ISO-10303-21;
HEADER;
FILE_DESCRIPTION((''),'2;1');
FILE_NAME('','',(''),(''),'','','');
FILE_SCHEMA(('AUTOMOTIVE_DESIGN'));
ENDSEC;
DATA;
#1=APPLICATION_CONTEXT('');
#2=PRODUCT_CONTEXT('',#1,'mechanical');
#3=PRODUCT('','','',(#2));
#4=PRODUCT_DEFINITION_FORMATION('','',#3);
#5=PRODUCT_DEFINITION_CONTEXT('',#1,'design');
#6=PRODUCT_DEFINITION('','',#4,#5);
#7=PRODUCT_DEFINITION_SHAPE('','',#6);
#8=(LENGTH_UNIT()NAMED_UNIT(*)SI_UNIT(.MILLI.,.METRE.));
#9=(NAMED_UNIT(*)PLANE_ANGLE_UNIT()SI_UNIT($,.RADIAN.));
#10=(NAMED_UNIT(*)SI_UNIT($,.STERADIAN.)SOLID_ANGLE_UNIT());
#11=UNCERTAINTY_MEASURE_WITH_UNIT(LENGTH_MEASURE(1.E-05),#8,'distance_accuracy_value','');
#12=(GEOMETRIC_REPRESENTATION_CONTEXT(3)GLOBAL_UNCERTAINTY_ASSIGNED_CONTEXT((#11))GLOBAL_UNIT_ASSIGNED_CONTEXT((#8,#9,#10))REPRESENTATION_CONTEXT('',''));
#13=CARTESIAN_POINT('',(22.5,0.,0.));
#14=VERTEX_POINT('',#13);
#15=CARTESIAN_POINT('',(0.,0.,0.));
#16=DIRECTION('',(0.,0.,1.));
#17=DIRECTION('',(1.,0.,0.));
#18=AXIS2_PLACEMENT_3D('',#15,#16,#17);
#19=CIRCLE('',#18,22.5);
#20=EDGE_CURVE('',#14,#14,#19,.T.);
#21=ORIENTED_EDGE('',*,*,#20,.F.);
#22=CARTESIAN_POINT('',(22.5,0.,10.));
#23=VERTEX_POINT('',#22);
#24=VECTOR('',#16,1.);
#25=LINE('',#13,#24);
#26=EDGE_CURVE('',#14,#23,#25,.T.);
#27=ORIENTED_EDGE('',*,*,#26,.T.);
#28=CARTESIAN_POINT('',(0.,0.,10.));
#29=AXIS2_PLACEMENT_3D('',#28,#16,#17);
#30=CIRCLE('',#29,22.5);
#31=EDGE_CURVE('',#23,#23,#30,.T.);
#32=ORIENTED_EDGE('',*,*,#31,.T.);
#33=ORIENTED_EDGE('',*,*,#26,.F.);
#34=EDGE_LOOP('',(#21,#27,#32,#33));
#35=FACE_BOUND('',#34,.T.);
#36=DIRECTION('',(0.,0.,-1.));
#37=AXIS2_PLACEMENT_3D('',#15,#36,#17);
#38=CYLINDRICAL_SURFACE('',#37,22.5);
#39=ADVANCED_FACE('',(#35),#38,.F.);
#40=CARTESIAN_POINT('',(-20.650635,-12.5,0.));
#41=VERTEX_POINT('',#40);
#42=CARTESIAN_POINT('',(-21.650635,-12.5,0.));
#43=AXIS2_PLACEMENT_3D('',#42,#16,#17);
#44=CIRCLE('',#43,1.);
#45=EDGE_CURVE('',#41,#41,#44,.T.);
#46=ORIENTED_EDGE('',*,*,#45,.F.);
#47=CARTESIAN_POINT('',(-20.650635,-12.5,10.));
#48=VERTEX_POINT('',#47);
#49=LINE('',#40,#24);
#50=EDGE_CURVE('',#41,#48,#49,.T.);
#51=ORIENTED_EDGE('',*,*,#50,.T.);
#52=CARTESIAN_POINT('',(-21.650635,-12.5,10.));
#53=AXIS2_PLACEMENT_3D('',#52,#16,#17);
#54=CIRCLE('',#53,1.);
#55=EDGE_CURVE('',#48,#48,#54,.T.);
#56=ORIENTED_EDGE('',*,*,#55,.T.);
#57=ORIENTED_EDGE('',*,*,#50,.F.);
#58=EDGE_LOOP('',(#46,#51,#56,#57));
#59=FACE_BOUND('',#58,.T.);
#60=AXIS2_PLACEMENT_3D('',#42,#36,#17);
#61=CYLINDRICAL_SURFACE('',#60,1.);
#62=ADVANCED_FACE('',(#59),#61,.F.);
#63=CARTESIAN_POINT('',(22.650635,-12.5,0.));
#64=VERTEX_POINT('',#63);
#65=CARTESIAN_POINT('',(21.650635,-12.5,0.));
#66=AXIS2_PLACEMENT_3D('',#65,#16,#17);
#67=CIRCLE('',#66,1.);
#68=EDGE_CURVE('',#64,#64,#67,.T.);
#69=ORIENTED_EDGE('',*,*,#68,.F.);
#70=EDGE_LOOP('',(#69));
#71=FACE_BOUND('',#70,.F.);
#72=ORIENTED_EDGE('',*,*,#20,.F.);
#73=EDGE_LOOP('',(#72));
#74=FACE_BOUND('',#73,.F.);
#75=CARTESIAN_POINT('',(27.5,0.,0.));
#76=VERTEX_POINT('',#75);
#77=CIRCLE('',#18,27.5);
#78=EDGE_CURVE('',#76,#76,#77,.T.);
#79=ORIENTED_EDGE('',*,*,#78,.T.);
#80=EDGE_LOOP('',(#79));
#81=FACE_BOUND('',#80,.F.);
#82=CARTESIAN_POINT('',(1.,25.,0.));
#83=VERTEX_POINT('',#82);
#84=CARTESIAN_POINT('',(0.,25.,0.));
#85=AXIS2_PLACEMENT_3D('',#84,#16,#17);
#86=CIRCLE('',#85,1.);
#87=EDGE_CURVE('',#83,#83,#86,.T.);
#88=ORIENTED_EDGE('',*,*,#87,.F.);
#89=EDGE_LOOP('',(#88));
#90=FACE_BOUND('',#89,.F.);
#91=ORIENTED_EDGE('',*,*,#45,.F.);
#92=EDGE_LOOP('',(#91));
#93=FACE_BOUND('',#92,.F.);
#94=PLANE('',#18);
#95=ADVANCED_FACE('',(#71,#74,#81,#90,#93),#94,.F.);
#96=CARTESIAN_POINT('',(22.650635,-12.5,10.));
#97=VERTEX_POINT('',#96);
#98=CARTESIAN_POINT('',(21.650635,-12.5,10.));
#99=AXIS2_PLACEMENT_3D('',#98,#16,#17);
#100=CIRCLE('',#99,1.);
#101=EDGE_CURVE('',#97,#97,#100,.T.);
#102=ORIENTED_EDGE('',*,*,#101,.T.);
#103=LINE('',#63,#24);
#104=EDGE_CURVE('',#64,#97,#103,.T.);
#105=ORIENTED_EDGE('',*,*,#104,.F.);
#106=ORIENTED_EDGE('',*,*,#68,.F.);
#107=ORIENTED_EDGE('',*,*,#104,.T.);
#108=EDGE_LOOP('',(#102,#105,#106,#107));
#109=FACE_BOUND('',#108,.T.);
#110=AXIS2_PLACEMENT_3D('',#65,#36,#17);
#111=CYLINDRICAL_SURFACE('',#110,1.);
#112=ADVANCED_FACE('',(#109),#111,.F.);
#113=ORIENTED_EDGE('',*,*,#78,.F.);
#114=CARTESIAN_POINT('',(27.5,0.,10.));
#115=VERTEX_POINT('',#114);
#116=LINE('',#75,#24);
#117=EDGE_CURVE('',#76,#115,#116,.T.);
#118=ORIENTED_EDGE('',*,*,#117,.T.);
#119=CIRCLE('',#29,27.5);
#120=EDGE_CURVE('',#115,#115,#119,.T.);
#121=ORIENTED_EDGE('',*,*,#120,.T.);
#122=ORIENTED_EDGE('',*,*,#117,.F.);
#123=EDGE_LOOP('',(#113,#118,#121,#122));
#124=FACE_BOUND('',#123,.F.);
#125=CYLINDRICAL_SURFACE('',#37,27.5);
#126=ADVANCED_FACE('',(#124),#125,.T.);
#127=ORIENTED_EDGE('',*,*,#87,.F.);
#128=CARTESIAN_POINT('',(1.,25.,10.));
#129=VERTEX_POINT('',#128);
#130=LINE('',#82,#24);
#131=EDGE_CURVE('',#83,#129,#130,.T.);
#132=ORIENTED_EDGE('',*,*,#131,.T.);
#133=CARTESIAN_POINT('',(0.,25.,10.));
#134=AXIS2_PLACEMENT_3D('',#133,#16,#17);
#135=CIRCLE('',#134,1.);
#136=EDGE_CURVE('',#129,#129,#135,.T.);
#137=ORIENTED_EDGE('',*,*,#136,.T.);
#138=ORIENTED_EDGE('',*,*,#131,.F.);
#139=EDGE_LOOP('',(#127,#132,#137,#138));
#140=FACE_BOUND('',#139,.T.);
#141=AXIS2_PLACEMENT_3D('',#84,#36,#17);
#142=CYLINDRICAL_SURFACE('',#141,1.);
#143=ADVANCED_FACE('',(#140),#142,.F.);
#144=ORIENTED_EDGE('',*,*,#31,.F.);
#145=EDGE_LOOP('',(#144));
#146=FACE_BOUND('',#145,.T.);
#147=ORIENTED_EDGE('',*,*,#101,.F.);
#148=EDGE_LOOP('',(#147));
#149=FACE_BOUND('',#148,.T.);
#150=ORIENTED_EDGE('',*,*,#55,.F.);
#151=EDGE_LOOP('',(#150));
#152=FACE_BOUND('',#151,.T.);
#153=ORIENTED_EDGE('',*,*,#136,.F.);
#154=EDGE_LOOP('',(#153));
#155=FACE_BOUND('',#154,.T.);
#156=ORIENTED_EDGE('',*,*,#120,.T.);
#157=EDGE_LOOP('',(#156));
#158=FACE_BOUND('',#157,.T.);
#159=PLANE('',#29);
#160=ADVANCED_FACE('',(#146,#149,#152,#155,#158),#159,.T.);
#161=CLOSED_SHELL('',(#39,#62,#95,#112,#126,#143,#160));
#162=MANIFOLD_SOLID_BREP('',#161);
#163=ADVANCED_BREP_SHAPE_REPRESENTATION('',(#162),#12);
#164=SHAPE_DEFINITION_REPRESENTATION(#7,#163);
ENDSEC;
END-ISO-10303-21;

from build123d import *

# Parameters (mm, degrees)
SKETCH_R   = 27.5
SKETCH_R_2 = 22.5
SKETCH_R_3 = 1
PAD_DEPTH  = 10


with BuildPart() as part:
    # Sketch → Pad (new body)
    with BuildSketch(Plane.XY):
        Circle(SKETCH_R)
        Circle(SKETCH_R_2, mode=Mode.SUBTRACT)
        with Locations((0, 25)):
            Circle(SKETCH_R_3, mode=Mode.SUBTRACT)
        with Locations((-21.650635, -12.5)):
            Circle(SKETCH_R_3, mode=Mode.SUBTRACT)
        with Locations((21.650635, -12.5)):
            Circle(SKETCH_R_3, mode=Mode.SUBTRACT)
    extrude(amount=PAD_DEPTH)


solid = part.part
